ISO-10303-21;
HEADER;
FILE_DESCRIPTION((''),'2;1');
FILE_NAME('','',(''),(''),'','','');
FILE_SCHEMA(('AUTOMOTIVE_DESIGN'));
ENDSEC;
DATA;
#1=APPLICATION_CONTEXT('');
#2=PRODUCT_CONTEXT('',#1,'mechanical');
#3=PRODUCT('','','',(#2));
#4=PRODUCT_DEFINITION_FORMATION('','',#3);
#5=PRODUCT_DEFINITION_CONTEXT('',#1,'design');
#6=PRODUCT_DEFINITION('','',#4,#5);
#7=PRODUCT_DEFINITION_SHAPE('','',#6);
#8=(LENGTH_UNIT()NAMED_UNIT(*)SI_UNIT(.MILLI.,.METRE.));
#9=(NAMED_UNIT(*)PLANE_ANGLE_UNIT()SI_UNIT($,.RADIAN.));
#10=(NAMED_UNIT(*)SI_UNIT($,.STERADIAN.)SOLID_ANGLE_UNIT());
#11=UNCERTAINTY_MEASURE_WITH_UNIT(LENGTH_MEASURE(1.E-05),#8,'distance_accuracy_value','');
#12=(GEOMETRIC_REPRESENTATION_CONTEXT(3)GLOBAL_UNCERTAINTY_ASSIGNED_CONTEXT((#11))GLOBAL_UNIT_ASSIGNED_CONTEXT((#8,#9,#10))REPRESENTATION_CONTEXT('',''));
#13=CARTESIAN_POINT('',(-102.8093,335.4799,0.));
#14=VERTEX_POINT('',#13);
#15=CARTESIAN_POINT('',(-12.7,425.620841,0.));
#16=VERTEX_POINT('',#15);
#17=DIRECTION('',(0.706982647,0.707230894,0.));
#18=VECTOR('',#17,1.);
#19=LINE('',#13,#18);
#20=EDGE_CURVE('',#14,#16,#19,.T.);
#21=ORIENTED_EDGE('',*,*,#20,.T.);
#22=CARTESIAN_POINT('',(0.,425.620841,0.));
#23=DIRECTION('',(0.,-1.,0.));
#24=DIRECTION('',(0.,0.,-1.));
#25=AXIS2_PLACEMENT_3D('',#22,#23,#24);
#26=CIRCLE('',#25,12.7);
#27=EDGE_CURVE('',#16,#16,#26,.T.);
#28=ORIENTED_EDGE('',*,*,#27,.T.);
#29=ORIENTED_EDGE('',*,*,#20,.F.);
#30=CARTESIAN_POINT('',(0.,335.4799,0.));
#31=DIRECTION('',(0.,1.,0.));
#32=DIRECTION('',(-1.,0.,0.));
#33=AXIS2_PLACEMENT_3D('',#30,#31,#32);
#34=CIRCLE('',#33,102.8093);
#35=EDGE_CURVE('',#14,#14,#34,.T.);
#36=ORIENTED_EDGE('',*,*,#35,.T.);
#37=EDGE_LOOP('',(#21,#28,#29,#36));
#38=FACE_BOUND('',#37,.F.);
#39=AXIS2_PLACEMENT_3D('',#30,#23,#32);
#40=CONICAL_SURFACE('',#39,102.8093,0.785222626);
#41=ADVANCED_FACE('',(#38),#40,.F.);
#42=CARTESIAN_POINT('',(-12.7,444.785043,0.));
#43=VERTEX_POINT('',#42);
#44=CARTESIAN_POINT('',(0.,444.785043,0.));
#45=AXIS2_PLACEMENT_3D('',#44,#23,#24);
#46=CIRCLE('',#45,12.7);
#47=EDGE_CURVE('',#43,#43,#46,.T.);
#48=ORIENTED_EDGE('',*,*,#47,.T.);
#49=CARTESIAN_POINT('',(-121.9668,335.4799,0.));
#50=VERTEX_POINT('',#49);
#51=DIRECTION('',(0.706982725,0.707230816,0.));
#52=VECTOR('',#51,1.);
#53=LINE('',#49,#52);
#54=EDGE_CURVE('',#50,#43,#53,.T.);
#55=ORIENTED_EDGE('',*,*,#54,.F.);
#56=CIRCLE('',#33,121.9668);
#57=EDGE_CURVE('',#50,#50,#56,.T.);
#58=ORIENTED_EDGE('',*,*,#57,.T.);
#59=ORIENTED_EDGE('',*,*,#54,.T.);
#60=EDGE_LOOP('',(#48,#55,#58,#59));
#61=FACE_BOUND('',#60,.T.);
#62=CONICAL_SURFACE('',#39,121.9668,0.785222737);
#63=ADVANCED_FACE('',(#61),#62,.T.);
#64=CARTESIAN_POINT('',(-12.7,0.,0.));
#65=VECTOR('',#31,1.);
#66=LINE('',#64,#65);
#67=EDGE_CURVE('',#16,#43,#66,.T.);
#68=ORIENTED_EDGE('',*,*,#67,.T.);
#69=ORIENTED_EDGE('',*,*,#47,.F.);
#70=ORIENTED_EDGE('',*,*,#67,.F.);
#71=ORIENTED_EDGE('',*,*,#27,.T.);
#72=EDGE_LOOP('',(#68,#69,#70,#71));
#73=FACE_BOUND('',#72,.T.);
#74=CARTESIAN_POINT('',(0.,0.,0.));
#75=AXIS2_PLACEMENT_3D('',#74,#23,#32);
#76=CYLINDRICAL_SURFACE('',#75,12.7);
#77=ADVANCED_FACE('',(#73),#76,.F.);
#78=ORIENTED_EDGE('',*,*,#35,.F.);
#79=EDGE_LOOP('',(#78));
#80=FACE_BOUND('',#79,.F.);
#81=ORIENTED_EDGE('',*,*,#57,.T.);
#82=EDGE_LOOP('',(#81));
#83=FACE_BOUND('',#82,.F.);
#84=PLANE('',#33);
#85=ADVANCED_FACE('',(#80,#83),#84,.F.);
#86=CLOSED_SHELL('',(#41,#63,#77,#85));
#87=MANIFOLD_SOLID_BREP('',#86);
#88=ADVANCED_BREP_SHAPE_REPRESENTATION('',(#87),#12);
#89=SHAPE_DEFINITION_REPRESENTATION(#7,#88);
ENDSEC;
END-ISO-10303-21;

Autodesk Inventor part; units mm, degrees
ref_plane "YZ Plane" through (0, 0, 0) normal (1, 0, 0) x (0, 1, 0)
ref_plane "XZ Plane" through (0, 0, 0) normal (0, 1, 0) x (-1, 0, 0)
ref_plane "XY Plane" through (0, 0, 0) normal (0, 0, 1) x (1, 0, 0)
sketch "Sketch6" plane through (0, 0, 0) normal (0, 0, 1) x (1, 0, 0)
  line L0 (-121.9668, 335.4799) -> (0, 457.4895)
  line L1 (-102.8093, 335.4799) -> (0, 438.3253)
  line L2 (0, 457.4895) -> (0, 438.3253)
  line L3 (0, -91.4979) -> (0, 548.9874) projected
  line L4 (-121.9668, 335.4799) -> (-102.8093, 335.4799)
  point P0 (0, 0)
revolve "Revolution2" add sketch "Sketch6" angle 360 about axis through (0, -10, 0) along (0, 1, 0)
sketch "Sketch7" plane through (0, 0, 0) normal (0, 1, 0) x (-1, 0, 0)
  circle A0 centre (0, 0) radius 12.7
  dimension "d12" = 25.4
extrude "Extrusion3" cut sketch "Sketch7" along normal blind 762
properties part number "splash-top" material "Acetal Resin, Black"
